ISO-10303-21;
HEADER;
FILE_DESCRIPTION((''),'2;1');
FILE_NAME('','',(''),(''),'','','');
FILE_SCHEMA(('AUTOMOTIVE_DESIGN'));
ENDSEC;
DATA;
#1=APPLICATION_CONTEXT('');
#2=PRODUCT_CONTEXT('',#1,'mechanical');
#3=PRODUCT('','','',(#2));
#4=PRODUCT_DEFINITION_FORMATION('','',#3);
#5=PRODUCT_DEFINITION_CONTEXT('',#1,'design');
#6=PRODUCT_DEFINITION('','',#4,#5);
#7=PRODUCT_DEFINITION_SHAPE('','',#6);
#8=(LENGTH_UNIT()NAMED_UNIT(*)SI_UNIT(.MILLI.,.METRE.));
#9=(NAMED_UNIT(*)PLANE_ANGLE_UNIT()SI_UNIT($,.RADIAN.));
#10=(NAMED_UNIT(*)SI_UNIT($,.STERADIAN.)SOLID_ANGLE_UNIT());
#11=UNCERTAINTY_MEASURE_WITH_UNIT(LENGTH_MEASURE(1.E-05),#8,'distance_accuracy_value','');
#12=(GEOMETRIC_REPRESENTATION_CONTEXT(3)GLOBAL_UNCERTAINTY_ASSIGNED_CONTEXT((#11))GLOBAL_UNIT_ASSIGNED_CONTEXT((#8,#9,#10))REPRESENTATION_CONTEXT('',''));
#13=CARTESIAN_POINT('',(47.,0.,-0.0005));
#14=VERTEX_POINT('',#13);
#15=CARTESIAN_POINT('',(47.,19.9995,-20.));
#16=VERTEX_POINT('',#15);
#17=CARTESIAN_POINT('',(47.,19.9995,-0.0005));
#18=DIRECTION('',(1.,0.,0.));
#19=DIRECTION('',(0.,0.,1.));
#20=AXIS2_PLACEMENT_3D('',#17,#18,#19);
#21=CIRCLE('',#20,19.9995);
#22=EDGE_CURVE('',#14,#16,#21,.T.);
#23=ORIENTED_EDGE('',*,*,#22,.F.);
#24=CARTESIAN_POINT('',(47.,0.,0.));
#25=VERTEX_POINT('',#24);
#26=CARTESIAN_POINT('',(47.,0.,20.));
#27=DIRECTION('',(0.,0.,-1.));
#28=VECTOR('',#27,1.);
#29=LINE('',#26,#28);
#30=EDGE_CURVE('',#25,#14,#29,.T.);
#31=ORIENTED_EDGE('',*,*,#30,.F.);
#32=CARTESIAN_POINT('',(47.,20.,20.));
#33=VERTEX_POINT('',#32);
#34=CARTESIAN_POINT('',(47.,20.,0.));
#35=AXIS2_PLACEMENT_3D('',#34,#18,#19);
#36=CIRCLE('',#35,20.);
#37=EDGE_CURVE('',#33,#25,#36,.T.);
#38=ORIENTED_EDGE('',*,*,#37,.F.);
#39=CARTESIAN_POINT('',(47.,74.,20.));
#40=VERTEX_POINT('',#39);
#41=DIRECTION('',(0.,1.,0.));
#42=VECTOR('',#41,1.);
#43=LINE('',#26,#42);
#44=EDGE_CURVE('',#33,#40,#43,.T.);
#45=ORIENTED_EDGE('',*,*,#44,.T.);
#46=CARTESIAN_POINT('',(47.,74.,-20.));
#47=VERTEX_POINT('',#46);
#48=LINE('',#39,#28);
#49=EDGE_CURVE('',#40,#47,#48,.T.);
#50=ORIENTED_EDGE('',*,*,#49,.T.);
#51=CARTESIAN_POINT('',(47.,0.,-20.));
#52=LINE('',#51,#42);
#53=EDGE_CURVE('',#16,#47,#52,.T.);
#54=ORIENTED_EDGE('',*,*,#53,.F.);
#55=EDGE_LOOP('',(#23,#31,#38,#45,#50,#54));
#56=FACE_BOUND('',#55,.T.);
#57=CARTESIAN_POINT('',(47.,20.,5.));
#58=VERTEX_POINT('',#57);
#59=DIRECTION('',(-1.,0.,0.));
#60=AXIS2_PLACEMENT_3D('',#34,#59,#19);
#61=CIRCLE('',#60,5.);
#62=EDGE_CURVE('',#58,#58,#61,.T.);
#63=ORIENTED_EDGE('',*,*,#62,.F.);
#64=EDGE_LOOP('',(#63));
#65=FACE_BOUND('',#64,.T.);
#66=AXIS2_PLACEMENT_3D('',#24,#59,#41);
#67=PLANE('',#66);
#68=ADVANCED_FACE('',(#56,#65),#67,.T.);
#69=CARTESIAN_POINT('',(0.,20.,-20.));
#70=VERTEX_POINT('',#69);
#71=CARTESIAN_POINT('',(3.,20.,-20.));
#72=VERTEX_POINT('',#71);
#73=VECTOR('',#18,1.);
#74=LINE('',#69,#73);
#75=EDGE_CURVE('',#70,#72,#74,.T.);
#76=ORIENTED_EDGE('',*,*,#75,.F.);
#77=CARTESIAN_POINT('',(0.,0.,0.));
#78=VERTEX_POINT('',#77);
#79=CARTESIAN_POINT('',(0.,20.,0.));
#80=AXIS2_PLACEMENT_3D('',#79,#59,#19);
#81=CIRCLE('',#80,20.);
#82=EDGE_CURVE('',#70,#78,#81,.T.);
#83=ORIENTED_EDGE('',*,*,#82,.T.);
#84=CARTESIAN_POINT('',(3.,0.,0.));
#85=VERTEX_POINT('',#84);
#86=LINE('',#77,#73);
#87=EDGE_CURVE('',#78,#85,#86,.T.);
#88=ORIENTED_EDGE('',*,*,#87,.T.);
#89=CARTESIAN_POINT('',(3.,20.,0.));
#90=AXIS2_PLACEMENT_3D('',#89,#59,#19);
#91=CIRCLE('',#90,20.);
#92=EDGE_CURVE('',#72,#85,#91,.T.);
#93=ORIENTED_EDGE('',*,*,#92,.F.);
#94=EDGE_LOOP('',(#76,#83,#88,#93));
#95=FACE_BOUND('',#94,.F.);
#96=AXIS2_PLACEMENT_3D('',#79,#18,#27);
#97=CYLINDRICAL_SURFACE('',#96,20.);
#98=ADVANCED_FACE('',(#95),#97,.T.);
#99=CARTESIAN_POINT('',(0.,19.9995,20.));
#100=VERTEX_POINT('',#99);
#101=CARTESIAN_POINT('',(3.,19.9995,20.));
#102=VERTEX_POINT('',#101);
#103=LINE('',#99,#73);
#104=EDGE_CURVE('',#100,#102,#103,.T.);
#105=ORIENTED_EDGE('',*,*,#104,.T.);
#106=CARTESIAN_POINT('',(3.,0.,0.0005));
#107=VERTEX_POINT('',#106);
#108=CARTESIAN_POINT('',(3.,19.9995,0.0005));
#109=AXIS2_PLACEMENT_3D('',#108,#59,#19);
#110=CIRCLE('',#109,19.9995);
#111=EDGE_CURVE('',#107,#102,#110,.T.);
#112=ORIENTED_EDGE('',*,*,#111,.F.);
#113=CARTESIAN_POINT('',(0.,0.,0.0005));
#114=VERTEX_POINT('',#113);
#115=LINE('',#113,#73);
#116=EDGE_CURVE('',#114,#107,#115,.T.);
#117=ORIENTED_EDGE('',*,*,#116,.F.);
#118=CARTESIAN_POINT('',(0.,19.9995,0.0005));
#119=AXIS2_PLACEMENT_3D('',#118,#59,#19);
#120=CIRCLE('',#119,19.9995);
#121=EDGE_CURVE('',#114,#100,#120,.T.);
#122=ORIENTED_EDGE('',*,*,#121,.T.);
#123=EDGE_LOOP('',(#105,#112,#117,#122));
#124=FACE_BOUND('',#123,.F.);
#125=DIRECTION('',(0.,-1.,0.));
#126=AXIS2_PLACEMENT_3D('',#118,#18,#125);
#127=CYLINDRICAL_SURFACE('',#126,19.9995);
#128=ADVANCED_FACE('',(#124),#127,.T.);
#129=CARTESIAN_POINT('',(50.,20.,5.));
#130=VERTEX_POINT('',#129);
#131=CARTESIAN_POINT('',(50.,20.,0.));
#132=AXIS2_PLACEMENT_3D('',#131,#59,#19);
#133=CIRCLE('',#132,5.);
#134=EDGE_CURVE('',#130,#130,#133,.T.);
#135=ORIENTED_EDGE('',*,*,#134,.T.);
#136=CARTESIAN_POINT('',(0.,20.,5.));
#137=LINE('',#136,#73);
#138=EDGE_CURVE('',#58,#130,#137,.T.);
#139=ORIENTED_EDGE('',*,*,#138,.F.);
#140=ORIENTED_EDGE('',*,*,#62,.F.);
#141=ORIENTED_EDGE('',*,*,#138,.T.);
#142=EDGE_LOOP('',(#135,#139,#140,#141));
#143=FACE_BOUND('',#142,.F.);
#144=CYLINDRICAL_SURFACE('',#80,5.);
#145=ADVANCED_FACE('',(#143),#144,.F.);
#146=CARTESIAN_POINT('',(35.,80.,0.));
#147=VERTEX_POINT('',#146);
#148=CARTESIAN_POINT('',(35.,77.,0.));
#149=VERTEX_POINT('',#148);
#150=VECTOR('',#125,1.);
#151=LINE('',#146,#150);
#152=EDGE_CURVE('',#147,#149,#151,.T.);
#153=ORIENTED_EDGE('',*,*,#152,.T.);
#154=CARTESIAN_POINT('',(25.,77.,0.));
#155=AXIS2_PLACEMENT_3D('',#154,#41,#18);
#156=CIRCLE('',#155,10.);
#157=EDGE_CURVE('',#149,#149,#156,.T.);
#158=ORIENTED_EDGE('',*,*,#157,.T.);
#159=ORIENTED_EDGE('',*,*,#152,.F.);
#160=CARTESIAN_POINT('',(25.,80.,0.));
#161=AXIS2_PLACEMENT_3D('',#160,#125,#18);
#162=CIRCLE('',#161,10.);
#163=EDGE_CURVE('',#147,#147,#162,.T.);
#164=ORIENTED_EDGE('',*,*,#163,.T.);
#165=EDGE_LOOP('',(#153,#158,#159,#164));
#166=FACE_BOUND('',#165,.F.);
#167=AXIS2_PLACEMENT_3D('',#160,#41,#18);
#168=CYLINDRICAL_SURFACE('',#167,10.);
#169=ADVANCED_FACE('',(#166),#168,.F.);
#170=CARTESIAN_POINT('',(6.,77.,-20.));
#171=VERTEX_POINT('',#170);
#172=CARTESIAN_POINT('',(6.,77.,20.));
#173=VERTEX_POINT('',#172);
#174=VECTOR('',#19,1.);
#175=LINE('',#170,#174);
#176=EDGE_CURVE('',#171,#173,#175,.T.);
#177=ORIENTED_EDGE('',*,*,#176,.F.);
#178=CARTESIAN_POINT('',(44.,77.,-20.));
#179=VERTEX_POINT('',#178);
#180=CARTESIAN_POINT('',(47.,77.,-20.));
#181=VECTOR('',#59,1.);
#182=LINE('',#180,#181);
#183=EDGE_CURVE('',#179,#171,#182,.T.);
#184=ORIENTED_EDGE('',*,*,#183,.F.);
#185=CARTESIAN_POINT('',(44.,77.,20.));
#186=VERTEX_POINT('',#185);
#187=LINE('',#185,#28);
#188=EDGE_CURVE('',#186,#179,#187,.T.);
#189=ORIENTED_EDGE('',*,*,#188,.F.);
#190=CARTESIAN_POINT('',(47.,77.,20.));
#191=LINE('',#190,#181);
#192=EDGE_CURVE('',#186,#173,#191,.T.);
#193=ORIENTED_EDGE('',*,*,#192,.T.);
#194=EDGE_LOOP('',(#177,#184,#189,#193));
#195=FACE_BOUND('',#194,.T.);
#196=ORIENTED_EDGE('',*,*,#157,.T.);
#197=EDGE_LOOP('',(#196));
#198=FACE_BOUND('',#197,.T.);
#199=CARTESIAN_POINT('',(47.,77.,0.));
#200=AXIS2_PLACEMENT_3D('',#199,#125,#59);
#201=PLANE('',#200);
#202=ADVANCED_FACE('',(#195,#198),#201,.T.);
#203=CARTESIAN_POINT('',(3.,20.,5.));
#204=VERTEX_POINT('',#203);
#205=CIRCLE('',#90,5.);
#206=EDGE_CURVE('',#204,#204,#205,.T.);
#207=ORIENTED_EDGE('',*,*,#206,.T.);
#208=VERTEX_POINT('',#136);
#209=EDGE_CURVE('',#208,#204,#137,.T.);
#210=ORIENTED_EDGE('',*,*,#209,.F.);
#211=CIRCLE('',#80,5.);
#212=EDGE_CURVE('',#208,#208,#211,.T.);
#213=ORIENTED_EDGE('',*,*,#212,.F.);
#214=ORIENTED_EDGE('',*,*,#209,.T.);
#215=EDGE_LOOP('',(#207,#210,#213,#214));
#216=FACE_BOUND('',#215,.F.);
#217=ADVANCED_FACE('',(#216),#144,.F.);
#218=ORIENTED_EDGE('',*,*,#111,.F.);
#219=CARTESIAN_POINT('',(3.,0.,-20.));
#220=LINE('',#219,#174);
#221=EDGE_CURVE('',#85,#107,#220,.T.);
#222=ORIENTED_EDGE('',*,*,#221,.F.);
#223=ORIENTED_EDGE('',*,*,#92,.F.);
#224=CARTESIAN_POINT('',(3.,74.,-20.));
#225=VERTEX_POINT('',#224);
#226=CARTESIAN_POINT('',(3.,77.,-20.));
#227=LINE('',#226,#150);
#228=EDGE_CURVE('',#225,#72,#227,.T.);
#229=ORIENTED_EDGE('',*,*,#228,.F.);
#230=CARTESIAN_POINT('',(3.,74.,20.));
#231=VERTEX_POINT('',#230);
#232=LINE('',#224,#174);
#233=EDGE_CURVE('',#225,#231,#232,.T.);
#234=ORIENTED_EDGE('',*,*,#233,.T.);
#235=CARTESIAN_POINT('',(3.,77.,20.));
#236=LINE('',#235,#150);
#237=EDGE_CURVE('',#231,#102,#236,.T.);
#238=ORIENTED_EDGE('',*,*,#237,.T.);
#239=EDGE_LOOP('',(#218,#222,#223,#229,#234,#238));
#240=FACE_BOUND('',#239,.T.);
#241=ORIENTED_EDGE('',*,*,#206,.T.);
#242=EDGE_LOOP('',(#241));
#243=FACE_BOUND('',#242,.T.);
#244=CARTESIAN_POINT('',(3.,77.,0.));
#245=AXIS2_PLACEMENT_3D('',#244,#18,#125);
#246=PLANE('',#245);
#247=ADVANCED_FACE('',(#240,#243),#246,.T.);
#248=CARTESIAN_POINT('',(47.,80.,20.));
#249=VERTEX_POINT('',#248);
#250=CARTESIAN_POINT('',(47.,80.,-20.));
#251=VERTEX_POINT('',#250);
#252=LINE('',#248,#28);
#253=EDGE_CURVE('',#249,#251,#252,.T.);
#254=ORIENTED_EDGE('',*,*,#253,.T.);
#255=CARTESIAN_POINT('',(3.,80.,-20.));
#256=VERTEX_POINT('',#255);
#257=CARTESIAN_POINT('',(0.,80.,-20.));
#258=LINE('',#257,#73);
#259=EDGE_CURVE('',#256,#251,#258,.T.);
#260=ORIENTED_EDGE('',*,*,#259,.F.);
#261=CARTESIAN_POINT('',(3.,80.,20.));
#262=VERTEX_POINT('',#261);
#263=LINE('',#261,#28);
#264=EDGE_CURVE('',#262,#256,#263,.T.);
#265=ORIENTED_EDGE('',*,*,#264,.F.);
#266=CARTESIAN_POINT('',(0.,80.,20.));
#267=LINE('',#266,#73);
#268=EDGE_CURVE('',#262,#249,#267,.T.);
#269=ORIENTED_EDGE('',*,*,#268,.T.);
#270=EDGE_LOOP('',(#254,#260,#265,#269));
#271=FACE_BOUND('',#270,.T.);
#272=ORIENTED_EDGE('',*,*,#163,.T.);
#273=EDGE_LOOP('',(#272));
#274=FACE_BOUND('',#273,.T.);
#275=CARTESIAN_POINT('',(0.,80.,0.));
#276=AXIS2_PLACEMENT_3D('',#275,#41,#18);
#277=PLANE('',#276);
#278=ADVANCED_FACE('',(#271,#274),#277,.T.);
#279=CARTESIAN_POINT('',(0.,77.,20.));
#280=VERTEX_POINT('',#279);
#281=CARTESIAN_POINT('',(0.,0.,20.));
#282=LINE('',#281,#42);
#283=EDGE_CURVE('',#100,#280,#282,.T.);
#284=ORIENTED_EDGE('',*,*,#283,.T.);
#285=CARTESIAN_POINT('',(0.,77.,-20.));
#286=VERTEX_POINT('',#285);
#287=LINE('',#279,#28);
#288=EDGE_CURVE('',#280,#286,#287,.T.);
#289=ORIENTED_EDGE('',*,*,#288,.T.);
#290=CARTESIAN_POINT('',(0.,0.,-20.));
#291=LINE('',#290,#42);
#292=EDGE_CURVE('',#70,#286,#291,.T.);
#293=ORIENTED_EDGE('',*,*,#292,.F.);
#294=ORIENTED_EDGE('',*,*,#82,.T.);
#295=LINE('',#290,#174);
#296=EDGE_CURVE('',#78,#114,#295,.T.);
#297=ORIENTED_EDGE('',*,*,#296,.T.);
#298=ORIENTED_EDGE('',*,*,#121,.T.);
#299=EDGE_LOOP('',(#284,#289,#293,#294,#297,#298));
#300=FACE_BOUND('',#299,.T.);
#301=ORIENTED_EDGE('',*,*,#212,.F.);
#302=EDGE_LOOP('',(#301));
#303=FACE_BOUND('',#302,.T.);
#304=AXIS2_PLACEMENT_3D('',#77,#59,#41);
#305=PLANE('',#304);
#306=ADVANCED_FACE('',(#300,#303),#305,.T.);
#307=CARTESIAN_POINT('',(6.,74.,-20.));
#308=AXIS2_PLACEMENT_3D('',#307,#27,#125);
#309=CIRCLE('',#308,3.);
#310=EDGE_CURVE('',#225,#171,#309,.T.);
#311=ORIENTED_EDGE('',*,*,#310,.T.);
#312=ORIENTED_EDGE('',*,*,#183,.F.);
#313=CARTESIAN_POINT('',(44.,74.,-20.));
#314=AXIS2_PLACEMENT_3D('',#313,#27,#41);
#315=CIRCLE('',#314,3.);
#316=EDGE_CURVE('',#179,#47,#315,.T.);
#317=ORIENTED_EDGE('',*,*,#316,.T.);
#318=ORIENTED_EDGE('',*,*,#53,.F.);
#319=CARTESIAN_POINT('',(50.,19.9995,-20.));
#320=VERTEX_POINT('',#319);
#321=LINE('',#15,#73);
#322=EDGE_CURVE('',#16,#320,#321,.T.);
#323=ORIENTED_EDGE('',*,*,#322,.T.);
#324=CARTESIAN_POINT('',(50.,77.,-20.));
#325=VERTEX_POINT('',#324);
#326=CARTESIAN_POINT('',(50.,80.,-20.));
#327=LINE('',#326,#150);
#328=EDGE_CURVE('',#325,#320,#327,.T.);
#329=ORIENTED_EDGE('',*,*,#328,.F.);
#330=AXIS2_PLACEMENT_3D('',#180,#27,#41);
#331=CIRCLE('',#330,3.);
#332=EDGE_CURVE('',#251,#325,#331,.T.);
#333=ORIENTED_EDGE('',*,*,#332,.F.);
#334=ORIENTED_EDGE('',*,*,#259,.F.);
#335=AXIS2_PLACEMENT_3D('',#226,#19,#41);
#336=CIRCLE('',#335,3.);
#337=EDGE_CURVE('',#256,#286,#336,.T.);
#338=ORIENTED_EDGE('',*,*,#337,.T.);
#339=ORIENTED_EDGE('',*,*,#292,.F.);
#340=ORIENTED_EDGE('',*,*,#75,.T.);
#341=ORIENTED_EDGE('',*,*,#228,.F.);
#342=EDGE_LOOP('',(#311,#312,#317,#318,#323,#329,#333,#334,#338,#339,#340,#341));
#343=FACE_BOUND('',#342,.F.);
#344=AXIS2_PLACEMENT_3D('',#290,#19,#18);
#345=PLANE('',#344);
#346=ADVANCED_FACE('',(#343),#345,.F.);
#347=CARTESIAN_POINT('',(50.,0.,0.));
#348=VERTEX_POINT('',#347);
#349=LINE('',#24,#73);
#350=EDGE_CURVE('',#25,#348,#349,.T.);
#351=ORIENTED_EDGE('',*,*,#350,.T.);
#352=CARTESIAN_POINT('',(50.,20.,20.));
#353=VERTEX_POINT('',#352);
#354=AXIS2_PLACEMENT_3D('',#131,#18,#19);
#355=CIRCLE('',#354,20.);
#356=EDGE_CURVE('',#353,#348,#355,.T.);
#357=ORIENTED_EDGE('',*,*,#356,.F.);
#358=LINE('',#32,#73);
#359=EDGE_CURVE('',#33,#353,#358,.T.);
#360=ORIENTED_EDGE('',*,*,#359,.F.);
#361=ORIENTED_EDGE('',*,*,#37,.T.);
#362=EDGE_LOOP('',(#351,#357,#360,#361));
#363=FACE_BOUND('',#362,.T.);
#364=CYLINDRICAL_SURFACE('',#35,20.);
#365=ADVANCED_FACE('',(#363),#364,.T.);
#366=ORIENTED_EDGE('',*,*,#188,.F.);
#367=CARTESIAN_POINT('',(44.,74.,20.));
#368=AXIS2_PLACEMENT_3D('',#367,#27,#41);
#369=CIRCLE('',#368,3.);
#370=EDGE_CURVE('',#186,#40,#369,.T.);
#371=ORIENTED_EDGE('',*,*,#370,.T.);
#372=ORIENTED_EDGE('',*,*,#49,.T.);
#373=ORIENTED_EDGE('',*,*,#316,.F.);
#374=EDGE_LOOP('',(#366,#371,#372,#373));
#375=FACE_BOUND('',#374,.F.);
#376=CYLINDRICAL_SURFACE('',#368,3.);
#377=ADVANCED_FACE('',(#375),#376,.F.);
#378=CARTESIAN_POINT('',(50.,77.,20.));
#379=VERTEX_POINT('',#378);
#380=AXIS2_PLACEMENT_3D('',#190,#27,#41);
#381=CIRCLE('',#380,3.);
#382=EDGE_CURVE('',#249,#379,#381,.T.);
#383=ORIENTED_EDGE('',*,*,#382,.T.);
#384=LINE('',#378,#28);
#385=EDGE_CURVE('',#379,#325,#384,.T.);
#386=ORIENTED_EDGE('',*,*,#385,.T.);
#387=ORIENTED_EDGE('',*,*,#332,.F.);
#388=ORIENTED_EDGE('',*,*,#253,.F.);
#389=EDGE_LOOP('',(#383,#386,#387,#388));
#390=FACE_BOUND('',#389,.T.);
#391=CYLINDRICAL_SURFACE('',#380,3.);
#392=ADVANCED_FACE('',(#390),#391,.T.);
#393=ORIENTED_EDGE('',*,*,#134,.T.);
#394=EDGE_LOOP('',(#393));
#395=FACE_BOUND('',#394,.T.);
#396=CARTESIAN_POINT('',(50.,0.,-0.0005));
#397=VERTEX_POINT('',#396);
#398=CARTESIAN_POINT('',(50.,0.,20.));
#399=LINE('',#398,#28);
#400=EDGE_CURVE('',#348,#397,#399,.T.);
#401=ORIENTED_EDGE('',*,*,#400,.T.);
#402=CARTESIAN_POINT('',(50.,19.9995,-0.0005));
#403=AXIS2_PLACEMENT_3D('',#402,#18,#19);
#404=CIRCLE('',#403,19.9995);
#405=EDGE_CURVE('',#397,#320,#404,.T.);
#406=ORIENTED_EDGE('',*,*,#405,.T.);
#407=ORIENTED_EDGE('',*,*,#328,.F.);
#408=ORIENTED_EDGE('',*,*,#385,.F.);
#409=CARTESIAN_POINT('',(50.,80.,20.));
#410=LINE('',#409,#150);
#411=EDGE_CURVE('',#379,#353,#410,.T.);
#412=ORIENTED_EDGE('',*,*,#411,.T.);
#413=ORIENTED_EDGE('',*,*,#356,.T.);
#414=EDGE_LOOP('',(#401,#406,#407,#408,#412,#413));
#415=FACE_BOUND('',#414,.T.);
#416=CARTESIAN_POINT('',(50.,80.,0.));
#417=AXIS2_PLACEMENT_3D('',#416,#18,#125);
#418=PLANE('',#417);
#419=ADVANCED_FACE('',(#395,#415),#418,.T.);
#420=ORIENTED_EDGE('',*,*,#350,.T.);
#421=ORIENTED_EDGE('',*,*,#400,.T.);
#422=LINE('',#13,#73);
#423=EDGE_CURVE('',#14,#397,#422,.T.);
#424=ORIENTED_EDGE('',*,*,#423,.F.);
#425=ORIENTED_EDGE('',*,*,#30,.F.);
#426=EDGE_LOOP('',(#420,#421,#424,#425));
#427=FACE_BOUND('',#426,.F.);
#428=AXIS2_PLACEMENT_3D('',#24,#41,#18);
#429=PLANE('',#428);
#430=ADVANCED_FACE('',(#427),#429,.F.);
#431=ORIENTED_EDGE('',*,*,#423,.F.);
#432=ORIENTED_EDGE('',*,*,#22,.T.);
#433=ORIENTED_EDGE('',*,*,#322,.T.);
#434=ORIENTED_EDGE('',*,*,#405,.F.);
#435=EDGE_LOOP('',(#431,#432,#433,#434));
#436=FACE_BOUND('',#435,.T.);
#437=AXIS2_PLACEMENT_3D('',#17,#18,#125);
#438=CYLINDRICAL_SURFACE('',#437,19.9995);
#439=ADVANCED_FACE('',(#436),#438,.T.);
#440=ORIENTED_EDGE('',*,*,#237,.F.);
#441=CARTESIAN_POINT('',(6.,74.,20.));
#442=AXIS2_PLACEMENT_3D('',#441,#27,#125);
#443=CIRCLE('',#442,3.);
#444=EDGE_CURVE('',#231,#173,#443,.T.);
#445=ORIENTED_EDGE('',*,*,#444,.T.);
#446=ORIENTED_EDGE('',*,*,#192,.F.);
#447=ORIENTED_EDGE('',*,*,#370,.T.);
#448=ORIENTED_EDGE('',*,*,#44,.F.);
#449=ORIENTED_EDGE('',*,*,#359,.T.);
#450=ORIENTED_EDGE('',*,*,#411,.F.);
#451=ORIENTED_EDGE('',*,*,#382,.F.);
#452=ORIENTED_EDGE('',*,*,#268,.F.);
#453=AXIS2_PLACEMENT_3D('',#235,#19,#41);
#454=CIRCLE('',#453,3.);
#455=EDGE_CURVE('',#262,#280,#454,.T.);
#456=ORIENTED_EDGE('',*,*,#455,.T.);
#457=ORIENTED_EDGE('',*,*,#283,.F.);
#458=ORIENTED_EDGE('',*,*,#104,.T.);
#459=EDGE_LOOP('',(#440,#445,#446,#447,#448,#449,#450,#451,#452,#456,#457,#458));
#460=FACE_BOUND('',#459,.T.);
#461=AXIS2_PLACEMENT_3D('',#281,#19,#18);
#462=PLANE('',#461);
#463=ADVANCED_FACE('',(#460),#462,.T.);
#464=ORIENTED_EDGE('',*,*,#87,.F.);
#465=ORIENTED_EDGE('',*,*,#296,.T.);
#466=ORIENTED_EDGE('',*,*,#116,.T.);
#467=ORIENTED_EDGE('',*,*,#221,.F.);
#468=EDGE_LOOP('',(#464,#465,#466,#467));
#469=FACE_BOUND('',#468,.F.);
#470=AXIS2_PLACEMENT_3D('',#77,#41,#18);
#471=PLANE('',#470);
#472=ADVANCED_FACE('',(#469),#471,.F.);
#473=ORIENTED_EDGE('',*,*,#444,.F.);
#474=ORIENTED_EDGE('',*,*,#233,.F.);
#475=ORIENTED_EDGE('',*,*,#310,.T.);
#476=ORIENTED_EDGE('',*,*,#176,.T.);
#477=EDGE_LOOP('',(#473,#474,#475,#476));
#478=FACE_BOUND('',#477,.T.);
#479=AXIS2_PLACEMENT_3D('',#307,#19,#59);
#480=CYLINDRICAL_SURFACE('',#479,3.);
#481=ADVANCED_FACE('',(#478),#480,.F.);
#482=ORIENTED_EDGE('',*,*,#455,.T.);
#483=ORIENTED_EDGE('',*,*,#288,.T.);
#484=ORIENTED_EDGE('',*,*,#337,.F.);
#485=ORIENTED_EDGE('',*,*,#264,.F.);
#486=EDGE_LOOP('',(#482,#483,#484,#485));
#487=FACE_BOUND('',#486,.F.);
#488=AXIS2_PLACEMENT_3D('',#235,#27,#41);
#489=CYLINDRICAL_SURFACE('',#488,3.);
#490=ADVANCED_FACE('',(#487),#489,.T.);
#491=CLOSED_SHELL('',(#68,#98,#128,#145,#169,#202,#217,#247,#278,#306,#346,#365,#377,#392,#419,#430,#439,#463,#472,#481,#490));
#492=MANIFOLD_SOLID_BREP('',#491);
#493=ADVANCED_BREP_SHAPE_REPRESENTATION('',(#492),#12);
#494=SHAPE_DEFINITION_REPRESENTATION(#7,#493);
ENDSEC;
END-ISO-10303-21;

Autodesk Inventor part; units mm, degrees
ref_plane "YZ Plane" through (0, 0, 0) normal (1, 0, 0) x (0, 1, 0)
ref_plane "XZ Plane" through (0, 0, 0) normal (0, 1, 0) x (-1, 0, 0)
ref_plane "XY Plane" through (0, 0, 0) normal (0, 0, 1) x (1, 0, 0)
sketch "Esboço1" plane through (0, 0, 0) normal (0, 0, 1) x (1, 0, 0)
  line L0 (0, 0) -> (0, 80)
  line L1 (0, 80) -> (50, 80)
  line L2 (50, 80) -> (50, 0)
  line L3 (47, 0) -> (47, 77)
  line L4 (47, 77) -> (3, 77)
  line L5 (3, 77) -> (3, 0)
  line L6 (0, 0) -> (3, 0)
  line L7 (47, 0) -> (50, 0)
  dimension "d0" = 80
  dimension "d1" = 3
  dimension "d2" = 3
  dimension "d3" = 50
  dimension "d4" = 3
extrude "Extrusão1" add sketch "Esboço1" along normal mid plane 40
fillet "Arredondamento1" radius 20 1 edges at (48.5, 0, 20)
fillet "Arredondamento2" radius 20 1 edges at (48.5, 0, -20)
fillet "Arredondamento3" radius 20 1 edges at (1.5, 0, -20)
fillet "Arredondamento4" radius 20 1 edges at (1.5, 0, 20)
fillet "Arredondamento5" radius 3 1 edges at (50, 80, 0)
fillet "Arredondamento6" radius 3 1 edges at (0, 80, 0)
fillet "Arredondamento7" radius 3 1 edges at (3, 77, 0)
fillet "Arredondamento8" radius 3 1 edges at (47, 77, 0)
sketch "Esboço2" plane through (0, 20, 0) normal (-1, 0, 0) x (0, 0, 1)
  circle A0 centre (0, 0) radius 5
  line L0 (20, 60) -> (-20, 60) projected
  point P0 (0, -20)
  dimension "d15" = 10
  dimension "d16" = 60
extrude "Extrusão2" cut sketch "Esboço2" against normal blind 50
sketch "Esboço3" plane through (47, 80, 20) normal (0, 1, 0) x (1, 0, 0)
  line L0 (-44, 25) -> (-44, 15) projected
  line L1 (-44, 20) -> (0, 20)
  line L2 (0, 40) -> (0, 0) projected
  circle A0 centre (-22, 20) radius 10
  point P0 (-47, 20)
  dimension "d19" = 20
extrude "Extrusão3" cut sketch "Esboço3" against normal blind 50
properties part number "suporte"
